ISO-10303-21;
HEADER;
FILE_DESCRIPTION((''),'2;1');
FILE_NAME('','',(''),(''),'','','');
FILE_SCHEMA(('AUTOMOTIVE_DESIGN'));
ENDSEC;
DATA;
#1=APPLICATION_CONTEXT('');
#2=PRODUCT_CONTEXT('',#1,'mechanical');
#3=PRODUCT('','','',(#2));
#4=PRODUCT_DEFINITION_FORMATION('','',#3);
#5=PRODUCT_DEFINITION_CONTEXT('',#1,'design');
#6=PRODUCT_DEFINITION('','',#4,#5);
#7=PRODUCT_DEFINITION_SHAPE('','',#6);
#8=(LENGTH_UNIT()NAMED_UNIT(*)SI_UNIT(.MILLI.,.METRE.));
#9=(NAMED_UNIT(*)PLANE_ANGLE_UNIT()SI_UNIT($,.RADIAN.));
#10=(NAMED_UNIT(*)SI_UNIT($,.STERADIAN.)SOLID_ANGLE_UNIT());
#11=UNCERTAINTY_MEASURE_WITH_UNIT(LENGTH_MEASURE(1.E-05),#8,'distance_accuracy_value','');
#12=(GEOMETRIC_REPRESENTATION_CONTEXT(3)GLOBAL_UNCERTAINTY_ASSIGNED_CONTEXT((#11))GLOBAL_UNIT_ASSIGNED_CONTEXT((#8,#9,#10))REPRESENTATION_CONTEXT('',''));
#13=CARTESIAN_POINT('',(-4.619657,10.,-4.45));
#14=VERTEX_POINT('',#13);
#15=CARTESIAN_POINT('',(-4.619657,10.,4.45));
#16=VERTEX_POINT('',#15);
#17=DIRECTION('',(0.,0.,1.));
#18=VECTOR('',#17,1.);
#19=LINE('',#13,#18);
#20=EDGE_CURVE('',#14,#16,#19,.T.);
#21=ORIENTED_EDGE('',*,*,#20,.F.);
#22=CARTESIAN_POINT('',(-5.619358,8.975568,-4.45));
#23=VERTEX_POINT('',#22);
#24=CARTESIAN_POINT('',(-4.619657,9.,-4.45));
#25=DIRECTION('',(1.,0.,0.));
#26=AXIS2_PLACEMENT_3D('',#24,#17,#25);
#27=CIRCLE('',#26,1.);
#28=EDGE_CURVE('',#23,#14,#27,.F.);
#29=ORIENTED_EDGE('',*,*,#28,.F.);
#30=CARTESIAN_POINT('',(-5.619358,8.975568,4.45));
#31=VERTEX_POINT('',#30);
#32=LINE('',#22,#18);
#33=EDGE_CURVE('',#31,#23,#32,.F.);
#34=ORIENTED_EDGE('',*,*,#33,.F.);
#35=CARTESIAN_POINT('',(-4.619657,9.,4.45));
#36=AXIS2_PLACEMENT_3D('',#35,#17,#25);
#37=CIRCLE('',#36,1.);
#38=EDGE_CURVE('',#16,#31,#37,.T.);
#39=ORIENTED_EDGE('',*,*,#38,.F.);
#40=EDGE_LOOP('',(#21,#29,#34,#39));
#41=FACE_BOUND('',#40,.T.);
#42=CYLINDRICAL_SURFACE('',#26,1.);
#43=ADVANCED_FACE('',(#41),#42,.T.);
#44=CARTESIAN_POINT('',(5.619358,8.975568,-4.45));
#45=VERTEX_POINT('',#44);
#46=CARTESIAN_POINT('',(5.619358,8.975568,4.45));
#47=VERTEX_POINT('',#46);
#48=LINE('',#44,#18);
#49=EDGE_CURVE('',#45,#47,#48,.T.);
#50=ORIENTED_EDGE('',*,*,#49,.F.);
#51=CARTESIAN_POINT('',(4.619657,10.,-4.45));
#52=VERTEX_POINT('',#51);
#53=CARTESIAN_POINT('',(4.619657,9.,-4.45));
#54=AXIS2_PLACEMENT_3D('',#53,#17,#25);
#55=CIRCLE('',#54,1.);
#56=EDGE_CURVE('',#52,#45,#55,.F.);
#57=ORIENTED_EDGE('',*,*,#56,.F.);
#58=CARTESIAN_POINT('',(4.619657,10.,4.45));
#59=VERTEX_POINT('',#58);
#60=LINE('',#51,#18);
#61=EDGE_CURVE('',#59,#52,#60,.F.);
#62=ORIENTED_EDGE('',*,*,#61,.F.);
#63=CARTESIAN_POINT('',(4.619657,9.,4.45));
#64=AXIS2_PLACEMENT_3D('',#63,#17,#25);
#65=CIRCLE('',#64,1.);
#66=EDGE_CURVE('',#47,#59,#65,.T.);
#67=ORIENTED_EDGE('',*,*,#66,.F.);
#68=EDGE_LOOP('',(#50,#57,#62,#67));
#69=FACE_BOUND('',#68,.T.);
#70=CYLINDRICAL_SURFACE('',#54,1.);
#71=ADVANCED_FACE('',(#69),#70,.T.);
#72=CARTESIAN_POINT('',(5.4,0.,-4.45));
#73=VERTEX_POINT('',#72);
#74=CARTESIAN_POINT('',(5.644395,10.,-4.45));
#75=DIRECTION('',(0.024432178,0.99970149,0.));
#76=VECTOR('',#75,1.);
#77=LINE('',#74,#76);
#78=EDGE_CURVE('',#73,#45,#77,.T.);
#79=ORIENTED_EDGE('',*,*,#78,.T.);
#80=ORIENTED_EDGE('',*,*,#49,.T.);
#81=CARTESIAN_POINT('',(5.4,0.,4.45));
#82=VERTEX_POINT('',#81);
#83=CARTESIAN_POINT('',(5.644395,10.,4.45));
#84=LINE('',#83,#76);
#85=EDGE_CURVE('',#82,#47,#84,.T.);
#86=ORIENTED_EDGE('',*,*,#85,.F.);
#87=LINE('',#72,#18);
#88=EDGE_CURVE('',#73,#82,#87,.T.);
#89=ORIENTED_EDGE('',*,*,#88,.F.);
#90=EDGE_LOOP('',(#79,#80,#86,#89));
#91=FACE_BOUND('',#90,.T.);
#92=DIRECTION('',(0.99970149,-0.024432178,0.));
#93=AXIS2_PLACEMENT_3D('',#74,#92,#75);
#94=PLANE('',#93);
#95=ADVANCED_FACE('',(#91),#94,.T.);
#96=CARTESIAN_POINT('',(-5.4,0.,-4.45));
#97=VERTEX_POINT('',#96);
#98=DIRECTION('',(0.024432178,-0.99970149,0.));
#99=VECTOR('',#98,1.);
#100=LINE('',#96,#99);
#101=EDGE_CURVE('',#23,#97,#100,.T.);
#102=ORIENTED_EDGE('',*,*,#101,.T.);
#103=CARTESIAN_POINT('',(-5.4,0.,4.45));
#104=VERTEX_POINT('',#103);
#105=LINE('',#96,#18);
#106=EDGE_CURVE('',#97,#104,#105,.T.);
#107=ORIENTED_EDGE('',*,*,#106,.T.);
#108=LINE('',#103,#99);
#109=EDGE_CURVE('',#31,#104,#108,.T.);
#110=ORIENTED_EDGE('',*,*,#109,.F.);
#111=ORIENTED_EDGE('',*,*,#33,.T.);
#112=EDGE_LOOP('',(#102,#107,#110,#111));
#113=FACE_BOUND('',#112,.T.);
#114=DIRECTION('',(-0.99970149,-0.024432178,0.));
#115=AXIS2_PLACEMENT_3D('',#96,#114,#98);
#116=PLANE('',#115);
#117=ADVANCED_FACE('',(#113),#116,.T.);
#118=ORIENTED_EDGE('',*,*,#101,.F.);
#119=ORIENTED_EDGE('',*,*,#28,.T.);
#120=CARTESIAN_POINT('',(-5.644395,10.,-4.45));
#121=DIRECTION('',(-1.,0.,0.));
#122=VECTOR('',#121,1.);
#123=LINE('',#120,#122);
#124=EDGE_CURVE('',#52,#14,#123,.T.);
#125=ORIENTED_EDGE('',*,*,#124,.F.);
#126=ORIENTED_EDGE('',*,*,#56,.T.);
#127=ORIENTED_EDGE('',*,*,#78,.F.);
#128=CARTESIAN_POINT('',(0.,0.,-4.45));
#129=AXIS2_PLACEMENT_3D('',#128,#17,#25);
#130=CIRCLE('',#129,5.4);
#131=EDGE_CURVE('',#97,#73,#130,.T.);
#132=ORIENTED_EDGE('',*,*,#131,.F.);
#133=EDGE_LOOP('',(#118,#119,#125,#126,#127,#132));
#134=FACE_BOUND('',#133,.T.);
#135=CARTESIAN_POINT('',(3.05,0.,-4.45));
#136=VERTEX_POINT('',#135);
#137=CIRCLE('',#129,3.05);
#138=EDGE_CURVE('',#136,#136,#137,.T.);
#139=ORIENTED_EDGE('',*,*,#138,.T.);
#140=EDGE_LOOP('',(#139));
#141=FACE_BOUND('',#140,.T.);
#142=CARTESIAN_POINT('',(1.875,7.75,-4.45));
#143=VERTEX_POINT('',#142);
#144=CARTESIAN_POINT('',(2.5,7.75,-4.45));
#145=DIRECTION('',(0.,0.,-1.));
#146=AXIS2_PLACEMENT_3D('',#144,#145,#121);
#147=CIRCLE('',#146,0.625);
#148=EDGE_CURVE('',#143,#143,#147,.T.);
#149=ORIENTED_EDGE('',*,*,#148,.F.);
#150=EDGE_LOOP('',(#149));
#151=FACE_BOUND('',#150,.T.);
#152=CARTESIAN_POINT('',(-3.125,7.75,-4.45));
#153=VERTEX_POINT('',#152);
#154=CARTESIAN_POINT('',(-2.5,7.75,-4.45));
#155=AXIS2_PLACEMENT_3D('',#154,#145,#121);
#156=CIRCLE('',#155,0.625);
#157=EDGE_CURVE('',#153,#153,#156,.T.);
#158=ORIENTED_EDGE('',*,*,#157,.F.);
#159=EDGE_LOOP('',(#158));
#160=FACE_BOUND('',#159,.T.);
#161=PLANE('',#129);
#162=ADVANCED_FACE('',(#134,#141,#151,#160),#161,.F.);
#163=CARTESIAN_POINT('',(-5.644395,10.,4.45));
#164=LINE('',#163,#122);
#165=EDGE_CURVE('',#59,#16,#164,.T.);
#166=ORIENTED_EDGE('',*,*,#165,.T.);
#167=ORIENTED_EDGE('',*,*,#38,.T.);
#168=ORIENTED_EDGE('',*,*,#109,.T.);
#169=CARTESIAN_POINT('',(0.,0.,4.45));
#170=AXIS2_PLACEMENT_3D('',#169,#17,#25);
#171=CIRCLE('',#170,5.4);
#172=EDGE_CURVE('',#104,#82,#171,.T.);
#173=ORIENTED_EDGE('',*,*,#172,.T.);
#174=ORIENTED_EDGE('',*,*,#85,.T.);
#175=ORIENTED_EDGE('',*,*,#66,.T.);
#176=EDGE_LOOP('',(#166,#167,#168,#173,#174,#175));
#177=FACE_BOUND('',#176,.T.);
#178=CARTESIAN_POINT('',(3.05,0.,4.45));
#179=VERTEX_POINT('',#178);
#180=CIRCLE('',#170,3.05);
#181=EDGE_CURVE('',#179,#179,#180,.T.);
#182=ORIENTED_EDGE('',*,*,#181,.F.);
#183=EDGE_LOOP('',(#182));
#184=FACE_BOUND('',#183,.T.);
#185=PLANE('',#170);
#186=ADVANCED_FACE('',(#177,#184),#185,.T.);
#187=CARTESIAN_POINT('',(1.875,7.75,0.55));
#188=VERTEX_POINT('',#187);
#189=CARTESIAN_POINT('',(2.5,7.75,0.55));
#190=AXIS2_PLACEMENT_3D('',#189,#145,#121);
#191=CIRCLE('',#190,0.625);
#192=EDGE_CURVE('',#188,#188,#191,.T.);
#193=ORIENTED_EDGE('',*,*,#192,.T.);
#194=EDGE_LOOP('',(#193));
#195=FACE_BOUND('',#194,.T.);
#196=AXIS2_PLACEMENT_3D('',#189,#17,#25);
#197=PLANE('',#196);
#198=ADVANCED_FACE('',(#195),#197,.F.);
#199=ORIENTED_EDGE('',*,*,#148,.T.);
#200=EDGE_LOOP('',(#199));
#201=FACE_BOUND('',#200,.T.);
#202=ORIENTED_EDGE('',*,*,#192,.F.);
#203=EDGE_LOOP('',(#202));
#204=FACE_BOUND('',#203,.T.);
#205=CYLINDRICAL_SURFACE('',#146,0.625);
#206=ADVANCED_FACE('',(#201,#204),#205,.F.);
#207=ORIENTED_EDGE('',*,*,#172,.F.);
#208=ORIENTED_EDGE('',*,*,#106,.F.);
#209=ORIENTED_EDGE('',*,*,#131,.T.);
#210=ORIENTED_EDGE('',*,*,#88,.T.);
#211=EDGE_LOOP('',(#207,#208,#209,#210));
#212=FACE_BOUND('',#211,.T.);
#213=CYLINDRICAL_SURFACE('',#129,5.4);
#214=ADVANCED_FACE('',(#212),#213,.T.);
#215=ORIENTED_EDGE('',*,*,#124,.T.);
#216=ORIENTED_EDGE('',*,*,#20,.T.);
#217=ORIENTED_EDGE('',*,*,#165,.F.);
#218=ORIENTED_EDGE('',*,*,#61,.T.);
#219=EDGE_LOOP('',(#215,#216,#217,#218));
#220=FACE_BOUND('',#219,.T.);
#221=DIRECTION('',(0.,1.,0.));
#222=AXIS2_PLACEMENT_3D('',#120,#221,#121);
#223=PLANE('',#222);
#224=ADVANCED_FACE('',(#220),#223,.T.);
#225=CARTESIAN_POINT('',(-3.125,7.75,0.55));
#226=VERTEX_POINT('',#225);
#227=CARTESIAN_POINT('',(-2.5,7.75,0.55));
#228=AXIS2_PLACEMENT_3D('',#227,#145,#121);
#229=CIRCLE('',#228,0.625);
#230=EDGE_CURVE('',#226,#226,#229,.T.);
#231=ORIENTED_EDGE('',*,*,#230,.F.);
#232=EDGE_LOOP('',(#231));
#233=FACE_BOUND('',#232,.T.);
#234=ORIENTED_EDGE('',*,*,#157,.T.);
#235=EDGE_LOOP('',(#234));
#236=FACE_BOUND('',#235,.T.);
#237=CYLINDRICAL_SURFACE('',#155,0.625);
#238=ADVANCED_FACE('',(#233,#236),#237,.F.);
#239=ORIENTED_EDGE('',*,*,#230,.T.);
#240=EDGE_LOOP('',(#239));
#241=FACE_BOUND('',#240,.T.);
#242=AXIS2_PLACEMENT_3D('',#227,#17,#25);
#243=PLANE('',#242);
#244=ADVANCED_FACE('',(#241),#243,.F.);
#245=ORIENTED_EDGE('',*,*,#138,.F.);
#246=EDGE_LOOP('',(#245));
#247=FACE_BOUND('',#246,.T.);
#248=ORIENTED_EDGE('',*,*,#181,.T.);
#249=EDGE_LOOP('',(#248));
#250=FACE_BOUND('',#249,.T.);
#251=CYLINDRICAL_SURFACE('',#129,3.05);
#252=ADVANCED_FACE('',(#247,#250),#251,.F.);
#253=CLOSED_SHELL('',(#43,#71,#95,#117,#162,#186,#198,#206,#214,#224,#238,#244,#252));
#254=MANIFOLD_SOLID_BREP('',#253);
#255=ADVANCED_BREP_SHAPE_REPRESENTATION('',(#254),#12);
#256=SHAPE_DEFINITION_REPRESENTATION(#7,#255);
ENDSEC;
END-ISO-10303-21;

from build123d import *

# Parameters (mm, degrees)
BOSS_EXTRUDE1_DEPTH           = 4.45
BOSS_EXTRUDE1_DEPTH_BACK      = 4.45
SKETCH1_R                     = 3.05
TAP_DRILL_FOR_M1_6_TAP1_D     = 1.25
TAP_DRILL_FOR_M1_6_TAP1_DEPTH = 5
FILLET1_R                     = 1


with BuildPart() as part:
    # Sketch1 → Boss-Extrude1 (new, two sides: drawn at the far end of the back side and taken through both)
    with BuildSketch(Plane.XY.offset(-BOSS_EXTRUDE1_DEPTH_BACK)):
        with BuildLine():
            Line((-5.4, 0), (-5.644394736, 10))
            Line((-5.644394736, 10), (5.644394736, 10))
            Line((5.644394736, 10), (5.4, 0))
            ThreePointArc((5.4, 0), (0, -5.4), (-5.4, 0))
        make_face()
        Circle(SKETCH1_R, mode=Mode.SUBTRACT)
    extrude(amount=BOSS_EXTRUDE1_DEPTH + BOSS_EXTRUDE1_DEPTH_BACK)

    # Tap Drill for M1.6 Tap1
    with Locations(Plane(origin=(0, 0, -4.45), x_dir=(-1, 0, 0), z_dir=(0, 0, -1))):
        with Locations((-2.5, 7.75), (2.5, 7.75)):
            Hole(TAP_DRILL_FOR_M1_6_TAP1_D / 2, depth=TAP_DRILL_FOR_M1_6_TAP1_DEPTH)

    # Fillet1
    fillet1_edges = [part.edges().sort_by_distance(p)[0] for p in [
        (-5.644394736, 10, 0),
        (5.644394736, 10, 0),
    ]]
    fillet(fillet1_edges, radius=FILLET1_R)


solid = part.part
